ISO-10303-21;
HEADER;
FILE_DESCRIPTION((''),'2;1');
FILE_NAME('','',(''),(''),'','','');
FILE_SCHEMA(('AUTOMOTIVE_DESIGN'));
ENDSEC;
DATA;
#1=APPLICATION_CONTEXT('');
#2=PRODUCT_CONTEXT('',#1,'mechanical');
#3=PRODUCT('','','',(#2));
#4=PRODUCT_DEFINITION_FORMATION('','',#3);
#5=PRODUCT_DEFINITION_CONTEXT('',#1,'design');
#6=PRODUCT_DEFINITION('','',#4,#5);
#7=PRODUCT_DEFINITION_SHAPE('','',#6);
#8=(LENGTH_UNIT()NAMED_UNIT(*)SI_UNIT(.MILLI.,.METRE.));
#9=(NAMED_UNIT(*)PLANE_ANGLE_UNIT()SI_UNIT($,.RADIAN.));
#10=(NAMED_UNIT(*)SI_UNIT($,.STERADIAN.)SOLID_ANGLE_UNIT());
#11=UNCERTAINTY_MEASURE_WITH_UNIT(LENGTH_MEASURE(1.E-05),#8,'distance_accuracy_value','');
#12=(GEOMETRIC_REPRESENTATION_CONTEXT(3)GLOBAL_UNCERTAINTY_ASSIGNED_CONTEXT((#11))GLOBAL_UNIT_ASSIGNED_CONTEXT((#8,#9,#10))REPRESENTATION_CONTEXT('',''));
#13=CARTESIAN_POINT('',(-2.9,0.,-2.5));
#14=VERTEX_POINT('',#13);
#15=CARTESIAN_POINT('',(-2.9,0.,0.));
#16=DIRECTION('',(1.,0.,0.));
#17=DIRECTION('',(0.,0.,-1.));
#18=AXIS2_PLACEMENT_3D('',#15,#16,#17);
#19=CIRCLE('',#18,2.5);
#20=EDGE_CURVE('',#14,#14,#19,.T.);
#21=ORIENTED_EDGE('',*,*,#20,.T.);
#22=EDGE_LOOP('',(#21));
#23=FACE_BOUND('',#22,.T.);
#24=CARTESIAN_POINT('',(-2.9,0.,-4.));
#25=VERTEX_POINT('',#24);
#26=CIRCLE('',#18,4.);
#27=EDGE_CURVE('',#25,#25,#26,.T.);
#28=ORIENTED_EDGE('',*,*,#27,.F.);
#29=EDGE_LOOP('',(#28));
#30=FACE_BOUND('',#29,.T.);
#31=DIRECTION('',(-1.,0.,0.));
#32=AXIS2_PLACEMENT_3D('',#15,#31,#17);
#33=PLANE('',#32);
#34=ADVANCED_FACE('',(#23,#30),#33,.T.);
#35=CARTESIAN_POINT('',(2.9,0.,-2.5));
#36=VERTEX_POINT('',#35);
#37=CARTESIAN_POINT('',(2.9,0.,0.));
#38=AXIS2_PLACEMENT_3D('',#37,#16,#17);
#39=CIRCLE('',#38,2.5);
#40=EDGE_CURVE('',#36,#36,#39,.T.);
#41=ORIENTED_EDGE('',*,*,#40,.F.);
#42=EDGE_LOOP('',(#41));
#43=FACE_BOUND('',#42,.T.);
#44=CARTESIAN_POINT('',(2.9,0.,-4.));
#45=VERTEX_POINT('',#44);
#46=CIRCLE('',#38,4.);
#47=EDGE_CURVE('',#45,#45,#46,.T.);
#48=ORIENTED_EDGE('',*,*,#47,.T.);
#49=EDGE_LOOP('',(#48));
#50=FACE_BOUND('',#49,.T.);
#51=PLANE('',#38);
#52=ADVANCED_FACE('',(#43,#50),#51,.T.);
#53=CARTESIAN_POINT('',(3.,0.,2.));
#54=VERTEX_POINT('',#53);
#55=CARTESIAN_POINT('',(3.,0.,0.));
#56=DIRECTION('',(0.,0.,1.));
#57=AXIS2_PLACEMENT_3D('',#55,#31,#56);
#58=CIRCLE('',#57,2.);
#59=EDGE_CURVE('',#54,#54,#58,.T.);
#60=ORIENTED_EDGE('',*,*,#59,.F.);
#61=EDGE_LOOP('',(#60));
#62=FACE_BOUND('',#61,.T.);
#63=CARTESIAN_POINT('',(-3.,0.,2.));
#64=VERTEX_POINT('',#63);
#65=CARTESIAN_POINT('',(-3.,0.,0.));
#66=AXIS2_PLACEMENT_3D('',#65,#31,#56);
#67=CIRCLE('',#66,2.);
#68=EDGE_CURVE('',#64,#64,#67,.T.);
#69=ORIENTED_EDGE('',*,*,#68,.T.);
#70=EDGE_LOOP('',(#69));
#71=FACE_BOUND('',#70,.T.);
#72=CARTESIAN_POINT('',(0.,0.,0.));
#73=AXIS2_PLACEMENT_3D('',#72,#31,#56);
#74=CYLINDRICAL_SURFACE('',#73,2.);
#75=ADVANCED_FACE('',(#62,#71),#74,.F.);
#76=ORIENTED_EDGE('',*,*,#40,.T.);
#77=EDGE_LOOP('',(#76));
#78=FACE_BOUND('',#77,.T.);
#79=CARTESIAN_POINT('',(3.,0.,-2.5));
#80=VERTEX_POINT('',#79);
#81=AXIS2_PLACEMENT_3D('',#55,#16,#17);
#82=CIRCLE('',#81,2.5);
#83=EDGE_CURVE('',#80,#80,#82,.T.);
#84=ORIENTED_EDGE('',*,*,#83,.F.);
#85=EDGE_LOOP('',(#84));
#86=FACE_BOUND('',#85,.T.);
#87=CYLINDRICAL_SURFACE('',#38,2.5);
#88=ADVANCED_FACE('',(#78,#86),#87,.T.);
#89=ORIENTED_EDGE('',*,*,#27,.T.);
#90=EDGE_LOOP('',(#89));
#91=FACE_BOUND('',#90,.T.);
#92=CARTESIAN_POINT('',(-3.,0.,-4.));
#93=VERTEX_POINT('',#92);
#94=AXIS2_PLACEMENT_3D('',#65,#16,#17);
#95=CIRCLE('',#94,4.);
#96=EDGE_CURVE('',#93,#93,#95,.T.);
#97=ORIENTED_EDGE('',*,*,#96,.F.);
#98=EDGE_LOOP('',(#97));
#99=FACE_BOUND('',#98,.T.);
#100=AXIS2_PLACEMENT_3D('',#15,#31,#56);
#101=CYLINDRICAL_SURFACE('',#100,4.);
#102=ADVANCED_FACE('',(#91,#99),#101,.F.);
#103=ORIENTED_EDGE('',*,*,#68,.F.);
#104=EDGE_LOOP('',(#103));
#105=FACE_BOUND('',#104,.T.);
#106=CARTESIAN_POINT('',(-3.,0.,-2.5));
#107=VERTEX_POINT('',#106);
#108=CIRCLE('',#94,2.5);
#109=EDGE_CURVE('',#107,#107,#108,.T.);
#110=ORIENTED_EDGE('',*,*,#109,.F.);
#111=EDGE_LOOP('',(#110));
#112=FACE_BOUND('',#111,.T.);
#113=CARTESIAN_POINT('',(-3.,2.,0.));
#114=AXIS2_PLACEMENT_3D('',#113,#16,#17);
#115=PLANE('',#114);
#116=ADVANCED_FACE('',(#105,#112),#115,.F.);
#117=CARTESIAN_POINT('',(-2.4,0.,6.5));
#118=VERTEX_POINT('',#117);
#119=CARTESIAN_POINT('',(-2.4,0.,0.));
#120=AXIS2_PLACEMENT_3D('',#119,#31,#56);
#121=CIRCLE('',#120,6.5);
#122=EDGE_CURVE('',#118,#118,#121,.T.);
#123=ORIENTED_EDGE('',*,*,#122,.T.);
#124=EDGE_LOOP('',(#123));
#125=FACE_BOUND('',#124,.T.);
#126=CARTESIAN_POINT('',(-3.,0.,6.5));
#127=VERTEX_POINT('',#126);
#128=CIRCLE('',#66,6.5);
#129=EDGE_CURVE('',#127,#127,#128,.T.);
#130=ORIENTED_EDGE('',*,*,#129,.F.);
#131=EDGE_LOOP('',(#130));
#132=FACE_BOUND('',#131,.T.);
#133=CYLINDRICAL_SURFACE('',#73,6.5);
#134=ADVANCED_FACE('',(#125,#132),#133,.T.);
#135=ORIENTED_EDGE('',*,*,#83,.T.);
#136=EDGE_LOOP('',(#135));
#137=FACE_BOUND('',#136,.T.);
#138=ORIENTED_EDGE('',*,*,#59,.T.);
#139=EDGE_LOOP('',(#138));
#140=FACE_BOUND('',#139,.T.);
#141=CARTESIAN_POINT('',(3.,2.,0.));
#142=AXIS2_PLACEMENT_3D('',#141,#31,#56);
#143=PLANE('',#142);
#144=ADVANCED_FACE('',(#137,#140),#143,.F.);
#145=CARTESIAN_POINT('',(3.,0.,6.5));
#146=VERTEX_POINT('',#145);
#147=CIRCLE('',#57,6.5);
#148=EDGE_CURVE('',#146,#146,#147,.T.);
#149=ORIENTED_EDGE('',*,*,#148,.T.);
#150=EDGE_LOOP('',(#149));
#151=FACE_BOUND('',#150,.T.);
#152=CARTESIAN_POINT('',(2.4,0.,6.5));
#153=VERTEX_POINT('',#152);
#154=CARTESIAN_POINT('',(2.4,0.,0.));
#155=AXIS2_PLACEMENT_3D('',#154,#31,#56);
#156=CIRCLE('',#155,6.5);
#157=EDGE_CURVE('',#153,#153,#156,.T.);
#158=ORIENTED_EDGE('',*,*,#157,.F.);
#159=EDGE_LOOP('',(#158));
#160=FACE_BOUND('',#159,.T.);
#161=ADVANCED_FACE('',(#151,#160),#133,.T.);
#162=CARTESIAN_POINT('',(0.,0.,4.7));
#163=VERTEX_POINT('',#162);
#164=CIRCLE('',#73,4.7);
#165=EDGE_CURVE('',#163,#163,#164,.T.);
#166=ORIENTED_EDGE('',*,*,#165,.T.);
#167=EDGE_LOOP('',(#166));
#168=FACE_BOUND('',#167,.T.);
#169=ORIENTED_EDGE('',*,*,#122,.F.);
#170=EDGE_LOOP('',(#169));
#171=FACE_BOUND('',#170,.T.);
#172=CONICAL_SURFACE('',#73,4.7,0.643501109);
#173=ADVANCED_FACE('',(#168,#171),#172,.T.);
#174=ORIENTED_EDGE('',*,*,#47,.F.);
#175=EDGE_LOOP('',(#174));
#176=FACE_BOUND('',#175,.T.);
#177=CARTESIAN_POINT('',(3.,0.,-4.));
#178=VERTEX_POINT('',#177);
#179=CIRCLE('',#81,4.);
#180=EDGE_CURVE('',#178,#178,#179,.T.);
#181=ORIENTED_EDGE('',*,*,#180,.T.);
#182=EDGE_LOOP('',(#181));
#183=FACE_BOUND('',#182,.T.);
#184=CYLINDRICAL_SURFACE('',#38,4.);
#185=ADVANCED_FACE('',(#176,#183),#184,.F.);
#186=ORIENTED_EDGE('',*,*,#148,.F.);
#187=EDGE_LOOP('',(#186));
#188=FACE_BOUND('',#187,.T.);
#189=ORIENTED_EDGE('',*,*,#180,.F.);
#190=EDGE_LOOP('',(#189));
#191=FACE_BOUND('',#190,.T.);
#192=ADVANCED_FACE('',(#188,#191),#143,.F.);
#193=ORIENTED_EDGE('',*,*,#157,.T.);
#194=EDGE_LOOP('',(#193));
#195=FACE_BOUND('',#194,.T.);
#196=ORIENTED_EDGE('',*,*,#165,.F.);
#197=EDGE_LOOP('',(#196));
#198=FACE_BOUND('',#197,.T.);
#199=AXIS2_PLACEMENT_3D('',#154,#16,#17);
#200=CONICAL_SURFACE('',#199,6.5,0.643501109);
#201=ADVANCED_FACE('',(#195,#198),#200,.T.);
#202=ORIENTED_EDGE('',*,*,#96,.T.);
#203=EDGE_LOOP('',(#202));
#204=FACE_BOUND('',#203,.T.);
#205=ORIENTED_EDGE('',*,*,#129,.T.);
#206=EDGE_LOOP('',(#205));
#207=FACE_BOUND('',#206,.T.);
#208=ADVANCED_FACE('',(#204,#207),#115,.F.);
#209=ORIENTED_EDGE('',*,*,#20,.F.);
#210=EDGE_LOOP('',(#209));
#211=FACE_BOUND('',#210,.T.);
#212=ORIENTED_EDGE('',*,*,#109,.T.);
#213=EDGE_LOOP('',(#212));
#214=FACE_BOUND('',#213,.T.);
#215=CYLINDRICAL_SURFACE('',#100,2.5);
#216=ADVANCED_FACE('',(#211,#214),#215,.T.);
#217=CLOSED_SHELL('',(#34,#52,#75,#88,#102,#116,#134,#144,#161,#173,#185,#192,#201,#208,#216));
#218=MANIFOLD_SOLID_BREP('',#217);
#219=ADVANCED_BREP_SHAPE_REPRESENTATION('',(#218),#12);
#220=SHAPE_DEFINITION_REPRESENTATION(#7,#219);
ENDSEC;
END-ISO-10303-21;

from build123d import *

# Parameters (mm, degrees)
SKETCH2_R          = 4
SKETCH2_R_2        = 2.5
CUT_EXTRUDE1_DEPTH = 0.1


with BuildPart() as part:
    # Sketch1 → Revolve1 (revolve)
    with BuildSketch(Plane.XY, mode=Mode.PRIVATE) as revolve1_sk:
        Polygon((-3, 2), (3, 2), (3, 6.5), (2.4, 6.5), (0, 4.7), (-2.4, 6.5), (-3, 6.5), align=None)
    revolve(revolve1_sk.sketch.rotate(Axis((0, 0, 0), (1, 0, 0)), 90), axis=Axis((0, 0, 0), (1, 0, 0)))

    # Sketch2 → Cut-Extrude1 (cut)
    with BuildSketch(Plane(origin=(3, 0, 0), x_dir=(0, 0, -1), z_dir=(1, 0, 0))):
        Circle(SKETCH2_R)
        Circle(SKETCH2_R_2, mode=Mode.SUBTRACT)
    cut_extrude1 = extrude(amount=-CUT_EXTRUDE1_DEPTH, mode=Mode.SUBTRACT)

    # Mirror1: Cut-Extrude1 across plane
    add(cut_extrude1.mirror(Plane(origin=(0, 0, 0), x_dir=(0, 0, 1), z_dir=(1, 0, 0))), mode=Mode.SUBTRACT)


solid = part.part
